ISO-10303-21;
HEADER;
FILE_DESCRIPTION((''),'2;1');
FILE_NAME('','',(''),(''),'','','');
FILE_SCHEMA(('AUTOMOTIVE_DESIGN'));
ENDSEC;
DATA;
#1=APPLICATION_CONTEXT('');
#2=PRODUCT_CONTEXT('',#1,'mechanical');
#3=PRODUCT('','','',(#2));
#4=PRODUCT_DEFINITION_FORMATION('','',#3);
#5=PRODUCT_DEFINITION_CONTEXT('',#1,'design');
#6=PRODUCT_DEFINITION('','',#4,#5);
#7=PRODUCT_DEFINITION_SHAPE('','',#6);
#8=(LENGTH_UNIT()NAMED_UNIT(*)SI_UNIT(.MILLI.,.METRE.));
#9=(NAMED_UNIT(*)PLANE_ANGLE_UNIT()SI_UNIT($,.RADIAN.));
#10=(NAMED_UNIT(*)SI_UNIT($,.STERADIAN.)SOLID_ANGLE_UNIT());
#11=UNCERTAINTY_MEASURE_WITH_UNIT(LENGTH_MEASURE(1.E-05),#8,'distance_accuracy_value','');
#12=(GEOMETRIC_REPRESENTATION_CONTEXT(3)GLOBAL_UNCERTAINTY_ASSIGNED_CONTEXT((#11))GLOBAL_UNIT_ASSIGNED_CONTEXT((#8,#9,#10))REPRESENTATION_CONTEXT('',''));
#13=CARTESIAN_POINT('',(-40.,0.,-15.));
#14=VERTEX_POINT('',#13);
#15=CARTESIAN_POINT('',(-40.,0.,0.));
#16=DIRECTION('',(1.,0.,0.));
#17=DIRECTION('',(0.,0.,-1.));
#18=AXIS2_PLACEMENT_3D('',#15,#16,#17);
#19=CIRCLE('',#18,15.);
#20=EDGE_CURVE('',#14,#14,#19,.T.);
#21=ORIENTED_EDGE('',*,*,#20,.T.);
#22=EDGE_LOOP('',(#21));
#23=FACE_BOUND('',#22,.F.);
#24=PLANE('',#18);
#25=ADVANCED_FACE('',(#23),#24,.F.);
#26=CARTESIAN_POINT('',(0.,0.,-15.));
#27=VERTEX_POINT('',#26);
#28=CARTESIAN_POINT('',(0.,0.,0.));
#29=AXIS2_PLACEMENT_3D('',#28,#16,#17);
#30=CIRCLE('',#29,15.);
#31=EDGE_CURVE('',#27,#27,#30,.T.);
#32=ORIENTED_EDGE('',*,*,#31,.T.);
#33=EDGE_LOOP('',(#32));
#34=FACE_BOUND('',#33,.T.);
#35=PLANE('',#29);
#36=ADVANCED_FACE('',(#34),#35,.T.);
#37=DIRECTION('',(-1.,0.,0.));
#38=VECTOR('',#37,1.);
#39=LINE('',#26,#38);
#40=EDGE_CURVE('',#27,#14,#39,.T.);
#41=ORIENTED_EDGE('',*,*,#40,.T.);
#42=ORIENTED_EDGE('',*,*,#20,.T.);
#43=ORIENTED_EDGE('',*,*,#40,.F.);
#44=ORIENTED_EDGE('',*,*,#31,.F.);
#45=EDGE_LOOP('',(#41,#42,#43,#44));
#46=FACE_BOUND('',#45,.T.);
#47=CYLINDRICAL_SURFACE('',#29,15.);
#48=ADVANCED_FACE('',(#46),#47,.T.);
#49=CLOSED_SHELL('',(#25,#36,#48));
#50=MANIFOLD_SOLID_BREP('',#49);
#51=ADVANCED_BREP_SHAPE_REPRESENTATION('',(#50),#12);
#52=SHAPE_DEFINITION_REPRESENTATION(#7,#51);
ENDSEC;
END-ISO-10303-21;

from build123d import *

# Parameters (mm, degrees)
SKETCH1_R           = 15
BOSS_EXTRUDE1_DEPTH = 40


with BuildPart() as part:
    # Sketch1 → Boss-Extrude1 (new body)
    with BuildSketch(Plane(origin=(0, 0, 0), x_dir=(0, 0, -1), z_dir=(1, 0, 0))):
        Circle(SKETCH1_R)
    extrude(amount=-BOSS_EXTRUDE1_DEPTH)


solid = part.part
